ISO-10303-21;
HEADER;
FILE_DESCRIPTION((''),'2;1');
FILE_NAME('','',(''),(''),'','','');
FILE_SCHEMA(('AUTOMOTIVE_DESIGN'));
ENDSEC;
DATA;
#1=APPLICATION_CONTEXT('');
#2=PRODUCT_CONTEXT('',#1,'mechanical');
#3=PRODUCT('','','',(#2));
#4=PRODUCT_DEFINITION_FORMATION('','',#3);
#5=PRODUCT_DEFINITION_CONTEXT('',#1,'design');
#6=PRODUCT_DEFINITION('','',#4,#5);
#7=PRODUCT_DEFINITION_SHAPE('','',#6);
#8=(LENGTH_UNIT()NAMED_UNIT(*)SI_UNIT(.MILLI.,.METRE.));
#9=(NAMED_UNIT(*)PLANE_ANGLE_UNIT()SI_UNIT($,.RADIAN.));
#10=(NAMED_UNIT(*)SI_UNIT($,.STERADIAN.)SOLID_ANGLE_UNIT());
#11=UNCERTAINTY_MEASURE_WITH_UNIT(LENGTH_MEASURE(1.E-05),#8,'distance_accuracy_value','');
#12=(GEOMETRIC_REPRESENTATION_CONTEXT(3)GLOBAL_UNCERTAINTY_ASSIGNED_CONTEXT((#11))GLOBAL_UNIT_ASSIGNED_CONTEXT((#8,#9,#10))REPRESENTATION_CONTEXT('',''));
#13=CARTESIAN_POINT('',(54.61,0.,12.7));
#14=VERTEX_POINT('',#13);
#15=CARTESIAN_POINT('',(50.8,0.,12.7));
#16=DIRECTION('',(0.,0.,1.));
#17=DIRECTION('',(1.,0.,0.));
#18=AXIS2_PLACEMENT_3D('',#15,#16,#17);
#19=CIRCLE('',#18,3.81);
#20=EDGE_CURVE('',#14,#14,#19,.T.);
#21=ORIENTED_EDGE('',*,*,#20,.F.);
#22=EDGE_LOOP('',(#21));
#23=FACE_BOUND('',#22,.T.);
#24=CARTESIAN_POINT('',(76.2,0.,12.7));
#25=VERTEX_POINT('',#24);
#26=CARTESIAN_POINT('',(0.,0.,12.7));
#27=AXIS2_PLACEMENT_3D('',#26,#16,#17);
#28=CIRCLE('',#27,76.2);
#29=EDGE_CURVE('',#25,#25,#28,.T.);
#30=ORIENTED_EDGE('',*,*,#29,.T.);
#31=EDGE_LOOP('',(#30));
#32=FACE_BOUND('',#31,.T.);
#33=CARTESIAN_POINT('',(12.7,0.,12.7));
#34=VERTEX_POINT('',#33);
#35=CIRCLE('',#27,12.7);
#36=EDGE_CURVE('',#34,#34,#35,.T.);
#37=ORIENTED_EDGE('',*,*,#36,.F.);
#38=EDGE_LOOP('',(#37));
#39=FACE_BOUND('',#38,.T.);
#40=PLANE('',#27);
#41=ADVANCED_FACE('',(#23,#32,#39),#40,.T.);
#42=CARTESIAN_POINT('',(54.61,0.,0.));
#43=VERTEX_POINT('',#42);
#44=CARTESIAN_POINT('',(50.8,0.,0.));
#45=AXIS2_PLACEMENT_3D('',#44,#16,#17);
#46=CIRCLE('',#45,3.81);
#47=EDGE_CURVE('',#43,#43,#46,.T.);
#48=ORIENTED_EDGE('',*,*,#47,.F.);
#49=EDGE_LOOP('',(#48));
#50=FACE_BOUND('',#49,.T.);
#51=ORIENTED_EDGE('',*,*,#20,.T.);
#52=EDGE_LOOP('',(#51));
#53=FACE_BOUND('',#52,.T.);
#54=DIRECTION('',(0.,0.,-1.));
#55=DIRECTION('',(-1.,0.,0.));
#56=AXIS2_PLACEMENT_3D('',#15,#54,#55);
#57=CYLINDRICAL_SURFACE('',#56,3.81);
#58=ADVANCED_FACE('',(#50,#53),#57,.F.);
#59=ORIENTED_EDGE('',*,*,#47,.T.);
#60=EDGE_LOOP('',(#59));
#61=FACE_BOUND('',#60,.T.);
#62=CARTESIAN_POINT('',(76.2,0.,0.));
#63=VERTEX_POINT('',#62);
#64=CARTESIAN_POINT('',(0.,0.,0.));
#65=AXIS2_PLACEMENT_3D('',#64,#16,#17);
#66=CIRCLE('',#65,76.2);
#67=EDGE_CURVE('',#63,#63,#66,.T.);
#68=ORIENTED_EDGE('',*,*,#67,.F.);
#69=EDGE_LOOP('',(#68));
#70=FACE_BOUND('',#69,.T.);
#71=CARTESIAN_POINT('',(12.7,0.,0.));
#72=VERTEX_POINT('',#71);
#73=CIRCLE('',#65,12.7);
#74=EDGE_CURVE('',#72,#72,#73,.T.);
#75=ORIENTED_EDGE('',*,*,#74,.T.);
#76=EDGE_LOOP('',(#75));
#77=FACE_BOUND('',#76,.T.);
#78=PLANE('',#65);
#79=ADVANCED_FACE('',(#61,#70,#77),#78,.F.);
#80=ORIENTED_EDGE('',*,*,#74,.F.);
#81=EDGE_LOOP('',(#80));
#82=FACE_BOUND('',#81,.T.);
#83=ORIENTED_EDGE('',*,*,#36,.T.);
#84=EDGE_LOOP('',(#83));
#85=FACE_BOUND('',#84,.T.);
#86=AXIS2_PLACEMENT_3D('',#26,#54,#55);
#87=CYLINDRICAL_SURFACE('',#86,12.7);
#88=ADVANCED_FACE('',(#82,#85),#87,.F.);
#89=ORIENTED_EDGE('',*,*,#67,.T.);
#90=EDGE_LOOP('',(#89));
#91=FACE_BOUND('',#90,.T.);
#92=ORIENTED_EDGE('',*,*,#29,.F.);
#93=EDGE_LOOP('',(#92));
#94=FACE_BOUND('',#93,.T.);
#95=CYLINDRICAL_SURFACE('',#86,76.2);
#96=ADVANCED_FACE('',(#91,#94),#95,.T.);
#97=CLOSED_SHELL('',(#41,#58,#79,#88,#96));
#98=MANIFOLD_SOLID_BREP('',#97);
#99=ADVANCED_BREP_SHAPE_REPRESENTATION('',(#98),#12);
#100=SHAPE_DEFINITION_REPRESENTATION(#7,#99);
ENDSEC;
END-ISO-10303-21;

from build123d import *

# Parameters (mm, degrees)
SKETCH1_R         = 76.2
ROUND_PLATE_DEPTH = 12.7
SKETCH2_R         = 12.7
CENTRE_BORE_DEPTH = 109.508847566
SKETCH3_R         = 3.81
SEED_HOLE_DEPTH   = 109.508847566


with BuildPart() as part:
    # Sketch1 → round_plate (new body)
    with BuildSketch(Plane.XY):
        Circle(SKETCH1_R)
    extrude(amount=ROUND_PLATE_DEPTH)

    # Sketch2 → centre_bore (cut, through all)
    with BuildSketch(Plane.XY):
        Circle(SKETCH2_R)
    extrude(amount=CENTRE_BORE_DEPTH, mode=Mode.SUBTRACT)

    # Sketch3 → seed_hole (cut, through all)
    with BuildSketch(Plane.XY):
        with Locations((50.8, 0)):
            Circle(SKETCH3_R)
    extrude(amount=SEED_HOLE_DEPTH, mode=Mode.SUBTRACT)


solid = part.part
